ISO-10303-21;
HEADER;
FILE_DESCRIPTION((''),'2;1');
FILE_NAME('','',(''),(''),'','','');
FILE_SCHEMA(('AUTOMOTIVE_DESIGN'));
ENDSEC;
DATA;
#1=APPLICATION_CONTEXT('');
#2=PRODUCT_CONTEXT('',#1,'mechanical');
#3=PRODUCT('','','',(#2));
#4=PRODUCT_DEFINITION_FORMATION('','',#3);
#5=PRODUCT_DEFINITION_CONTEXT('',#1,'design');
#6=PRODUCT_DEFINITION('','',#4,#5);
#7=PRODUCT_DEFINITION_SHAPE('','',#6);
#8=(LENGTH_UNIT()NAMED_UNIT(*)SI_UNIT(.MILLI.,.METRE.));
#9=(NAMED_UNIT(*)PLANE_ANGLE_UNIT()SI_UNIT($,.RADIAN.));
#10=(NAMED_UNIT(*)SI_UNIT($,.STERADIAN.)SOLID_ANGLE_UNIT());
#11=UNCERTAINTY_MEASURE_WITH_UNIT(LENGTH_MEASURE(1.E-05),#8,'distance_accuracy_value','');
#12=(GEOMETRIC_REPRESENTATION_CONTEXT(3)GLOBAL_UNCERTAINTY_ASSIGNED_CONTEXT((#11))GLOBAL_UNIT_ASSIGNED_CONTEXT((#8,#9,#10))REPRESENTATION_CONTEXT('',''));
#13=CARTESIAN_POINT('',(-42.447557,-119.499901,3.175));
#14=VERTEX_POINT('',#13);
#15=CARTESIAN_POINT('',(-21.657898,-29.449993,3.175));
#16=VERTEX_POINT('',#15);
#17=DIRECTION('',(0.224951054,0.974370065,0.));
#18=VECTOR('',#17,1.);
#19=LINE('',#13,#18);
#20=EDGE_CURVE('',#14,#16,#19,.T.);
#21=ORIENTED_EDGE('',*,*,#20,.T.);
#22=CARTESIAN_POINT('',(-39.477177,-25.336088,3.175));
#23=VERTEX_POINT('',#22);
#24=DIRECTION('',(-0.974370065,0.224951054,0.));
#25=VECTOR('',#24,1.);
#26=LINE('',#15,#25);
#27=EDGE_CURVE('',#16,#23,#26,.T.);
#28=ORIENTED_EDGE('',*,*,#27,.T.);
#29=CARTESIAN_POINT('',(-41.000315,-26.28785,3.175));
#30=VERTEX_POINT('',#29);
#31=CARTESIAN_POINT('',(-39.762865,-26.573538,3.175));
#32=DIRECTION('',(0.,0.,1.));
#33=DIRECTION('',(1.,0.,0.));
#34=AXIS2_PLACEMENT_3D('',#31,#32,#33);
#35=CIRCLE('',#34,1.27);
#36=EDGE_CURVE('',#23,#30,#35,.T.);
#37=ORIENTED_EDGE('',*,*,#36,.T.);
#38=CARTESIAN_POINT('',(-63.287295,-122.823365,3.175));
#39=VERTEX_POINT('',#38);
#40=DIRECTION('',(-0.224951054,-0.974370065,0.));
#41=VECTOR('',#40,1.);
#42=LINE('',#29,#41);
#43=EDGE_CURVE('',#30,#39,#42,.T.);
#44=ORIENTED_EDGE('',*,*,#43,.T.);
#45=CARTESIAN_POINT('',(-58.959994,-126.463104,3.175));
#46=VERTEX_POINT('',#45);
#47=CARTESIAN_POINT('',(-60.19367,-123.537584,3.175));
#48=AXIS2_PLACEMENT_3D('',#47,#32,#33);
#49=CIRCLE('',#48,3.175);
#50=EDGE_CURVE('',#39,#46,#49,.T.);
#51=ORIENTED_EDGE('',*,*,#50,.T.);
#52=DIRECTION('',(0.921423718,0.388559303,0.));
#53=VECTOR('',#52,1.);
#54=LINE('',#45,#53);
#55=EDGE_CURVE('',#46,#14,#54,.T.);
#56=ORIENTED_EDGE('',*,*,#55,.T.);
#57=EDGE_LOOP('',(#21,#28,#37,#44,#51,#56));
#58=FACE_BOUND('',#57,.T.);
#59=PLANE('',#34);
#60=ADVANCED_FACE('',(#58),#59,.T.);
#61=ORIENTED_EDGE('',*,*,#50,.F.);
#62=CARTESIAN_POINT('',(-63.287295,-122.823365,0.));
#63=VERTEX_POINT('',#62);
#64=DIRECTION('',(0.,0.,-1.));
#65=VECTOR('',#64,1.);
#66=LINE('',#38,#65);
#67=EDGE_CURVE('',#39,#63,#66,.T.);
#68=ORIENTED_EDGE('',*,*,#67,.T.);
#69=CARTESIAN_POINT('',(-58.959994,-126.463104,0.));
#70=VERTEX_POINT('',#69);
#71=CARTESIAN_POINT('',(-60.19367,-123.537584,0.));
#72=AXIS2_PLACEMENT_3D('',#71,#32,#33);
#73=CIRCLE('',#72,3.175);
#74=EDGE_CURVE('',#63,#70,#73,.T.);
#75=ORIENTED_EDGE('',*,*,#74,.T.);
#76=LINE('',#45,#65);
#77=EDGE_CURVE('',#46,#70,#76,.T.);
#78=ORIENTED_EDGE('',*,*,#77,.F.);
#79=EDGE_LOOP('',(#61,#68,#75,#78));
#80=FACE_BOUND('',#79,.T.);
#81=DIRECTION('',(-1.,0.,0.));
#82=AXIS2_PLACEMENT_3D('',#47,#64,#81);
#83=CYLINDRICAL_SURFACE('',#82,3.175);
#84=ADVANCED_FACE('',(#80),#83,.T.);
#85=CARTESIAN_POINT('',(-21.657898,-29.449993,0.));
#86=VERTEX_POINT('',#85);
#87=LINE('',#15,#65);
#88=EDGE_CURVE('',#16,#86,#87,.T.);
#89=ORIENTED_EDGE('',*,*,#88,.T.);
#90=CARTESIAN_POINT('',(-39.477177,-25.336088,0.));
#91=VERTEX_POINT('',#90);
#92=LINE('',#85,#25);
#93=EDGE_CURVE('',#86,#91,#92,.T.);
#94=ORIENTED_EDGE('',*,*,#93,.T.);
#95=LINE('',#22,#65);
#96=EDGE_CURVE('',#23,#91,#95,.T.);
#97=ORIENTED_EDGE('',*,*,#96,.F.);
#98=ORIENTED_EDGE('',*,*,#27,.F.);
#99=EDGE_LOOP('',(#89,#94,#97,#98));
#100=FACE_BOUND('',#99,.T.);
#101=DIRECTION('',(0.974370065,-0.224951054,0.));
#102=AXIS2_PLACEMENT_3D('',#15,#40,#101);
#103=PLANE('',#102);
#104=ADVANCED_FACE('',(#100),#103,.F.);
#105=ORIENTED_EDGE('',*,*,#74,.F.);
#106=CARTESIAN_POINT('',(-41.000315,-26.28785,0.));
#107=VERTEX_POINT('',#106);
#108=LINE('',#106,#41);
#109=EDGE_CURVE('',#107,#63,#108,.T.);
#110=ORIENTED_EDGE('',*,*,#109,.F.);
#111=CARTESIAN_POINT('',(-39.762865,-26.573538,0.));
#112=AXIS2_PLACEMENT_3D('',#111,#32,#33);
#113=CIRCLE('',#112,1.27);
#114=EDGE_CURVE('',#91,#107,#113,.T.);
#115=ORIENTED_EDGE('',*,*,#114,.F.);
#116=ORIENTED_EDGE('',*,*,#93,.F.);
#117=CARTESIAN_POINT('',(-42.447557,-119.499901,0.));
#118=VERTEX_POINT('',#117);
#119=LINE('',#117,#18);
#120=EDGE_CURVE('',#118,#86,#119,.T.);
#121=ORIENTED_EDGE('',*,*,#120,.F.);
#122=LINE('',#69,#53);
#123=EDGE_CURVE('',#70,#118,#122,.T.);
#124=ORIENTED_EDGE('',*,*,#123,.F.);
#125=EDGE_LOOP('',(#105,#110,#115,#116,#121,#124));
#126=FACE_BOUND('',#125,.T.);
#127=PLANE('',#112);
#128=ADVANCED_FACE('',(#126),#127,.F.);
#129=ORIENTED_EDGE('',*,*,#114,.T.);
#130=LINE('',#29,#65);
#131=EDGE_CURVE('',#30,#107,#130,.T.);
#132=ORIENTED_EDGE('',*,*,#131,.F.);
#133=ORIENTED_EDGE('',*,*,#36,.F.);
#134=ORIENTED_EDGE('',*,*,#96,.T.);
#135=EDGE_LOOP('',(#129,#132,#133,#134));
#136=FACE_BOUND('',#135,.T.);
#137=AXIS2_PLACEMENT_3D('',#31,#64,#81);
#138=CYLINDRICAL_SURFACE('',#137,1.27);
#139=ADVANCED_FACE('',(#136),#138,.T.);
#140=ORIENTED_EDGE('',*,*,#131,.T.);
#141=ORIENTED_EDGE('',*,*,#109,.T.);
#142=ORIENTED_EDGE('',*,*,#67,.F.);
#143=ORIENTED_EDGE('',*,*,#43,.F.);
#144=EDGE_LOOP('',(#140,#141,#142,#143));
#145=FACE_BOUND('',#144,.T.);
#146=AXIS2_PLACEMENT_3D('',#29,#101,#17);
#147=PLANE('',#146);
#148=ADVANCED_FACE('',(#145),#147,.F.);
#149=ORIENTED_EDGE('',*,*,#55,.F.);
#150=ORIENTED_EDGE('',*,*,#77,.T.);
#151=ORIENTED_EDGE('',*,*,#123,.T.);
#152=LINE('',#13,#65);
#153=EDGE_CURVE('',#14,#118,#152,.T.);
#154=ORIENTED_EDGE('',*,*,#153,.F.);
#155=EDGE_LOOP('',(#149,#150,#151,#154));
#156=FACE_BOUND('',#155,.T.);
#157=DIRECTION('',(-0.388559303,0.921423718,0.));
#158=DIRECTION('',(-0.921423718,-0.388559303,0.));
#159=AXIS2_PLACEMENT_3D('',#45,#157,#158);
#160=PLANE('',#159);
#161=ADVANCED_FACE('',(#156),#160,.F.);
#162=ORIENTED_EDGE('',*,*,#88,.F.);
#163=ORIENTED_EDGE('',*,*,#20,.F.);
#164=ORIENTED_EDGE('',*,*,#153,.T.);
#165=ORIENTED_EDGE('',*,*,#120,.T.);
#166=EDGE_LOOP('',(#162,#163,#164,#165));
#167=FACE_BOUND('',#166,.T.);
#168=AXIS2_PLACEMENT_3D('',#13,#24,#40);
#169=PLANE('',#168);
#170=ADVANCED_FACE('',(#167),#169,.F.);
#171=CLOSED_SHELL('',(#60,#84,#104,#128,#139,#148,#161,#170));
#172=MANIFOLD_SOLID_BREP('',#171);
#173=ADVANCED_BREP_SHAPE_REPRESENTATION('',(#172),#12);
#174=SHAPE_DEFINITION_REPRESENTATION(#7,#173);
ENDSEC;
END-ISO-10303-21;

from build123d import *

# Parameters (mm, degrees)
BOSS_EXTRUDE1_DEPTH = 3.175


with BuildPart() as part:
    # Sketch1 → Boss-Extrude1 (new body)
    with BuildSketch(Plane.XY):
        with BuildLine():
            Line((-41.000315086, -26.287850411), (-63.287294611, -122.823364534))
            ThreePointArc((-63.287294611, -122.823364534), (-62.237386701, -125.967367174), (-58.959993868, -126.463104436))
            Line((-58.959993868, -126.463104436), (-42.447556795, -119.499900736))
            Line((-42.447556795, -119.499900736), (-21.65789752, -29.44999315))
            Line((-21.65789752, -29.44999315), (-39.477177265, -25.336088268))
            ThreePointArc((-39.477177265, -25.336088268), (-40.435862569, -25.496517168), (-41.000315086, -26.287850411))
        make_face()
    extrude(amount=BOSS_EXTRUDE1_DEPTH)


solid = part.part
